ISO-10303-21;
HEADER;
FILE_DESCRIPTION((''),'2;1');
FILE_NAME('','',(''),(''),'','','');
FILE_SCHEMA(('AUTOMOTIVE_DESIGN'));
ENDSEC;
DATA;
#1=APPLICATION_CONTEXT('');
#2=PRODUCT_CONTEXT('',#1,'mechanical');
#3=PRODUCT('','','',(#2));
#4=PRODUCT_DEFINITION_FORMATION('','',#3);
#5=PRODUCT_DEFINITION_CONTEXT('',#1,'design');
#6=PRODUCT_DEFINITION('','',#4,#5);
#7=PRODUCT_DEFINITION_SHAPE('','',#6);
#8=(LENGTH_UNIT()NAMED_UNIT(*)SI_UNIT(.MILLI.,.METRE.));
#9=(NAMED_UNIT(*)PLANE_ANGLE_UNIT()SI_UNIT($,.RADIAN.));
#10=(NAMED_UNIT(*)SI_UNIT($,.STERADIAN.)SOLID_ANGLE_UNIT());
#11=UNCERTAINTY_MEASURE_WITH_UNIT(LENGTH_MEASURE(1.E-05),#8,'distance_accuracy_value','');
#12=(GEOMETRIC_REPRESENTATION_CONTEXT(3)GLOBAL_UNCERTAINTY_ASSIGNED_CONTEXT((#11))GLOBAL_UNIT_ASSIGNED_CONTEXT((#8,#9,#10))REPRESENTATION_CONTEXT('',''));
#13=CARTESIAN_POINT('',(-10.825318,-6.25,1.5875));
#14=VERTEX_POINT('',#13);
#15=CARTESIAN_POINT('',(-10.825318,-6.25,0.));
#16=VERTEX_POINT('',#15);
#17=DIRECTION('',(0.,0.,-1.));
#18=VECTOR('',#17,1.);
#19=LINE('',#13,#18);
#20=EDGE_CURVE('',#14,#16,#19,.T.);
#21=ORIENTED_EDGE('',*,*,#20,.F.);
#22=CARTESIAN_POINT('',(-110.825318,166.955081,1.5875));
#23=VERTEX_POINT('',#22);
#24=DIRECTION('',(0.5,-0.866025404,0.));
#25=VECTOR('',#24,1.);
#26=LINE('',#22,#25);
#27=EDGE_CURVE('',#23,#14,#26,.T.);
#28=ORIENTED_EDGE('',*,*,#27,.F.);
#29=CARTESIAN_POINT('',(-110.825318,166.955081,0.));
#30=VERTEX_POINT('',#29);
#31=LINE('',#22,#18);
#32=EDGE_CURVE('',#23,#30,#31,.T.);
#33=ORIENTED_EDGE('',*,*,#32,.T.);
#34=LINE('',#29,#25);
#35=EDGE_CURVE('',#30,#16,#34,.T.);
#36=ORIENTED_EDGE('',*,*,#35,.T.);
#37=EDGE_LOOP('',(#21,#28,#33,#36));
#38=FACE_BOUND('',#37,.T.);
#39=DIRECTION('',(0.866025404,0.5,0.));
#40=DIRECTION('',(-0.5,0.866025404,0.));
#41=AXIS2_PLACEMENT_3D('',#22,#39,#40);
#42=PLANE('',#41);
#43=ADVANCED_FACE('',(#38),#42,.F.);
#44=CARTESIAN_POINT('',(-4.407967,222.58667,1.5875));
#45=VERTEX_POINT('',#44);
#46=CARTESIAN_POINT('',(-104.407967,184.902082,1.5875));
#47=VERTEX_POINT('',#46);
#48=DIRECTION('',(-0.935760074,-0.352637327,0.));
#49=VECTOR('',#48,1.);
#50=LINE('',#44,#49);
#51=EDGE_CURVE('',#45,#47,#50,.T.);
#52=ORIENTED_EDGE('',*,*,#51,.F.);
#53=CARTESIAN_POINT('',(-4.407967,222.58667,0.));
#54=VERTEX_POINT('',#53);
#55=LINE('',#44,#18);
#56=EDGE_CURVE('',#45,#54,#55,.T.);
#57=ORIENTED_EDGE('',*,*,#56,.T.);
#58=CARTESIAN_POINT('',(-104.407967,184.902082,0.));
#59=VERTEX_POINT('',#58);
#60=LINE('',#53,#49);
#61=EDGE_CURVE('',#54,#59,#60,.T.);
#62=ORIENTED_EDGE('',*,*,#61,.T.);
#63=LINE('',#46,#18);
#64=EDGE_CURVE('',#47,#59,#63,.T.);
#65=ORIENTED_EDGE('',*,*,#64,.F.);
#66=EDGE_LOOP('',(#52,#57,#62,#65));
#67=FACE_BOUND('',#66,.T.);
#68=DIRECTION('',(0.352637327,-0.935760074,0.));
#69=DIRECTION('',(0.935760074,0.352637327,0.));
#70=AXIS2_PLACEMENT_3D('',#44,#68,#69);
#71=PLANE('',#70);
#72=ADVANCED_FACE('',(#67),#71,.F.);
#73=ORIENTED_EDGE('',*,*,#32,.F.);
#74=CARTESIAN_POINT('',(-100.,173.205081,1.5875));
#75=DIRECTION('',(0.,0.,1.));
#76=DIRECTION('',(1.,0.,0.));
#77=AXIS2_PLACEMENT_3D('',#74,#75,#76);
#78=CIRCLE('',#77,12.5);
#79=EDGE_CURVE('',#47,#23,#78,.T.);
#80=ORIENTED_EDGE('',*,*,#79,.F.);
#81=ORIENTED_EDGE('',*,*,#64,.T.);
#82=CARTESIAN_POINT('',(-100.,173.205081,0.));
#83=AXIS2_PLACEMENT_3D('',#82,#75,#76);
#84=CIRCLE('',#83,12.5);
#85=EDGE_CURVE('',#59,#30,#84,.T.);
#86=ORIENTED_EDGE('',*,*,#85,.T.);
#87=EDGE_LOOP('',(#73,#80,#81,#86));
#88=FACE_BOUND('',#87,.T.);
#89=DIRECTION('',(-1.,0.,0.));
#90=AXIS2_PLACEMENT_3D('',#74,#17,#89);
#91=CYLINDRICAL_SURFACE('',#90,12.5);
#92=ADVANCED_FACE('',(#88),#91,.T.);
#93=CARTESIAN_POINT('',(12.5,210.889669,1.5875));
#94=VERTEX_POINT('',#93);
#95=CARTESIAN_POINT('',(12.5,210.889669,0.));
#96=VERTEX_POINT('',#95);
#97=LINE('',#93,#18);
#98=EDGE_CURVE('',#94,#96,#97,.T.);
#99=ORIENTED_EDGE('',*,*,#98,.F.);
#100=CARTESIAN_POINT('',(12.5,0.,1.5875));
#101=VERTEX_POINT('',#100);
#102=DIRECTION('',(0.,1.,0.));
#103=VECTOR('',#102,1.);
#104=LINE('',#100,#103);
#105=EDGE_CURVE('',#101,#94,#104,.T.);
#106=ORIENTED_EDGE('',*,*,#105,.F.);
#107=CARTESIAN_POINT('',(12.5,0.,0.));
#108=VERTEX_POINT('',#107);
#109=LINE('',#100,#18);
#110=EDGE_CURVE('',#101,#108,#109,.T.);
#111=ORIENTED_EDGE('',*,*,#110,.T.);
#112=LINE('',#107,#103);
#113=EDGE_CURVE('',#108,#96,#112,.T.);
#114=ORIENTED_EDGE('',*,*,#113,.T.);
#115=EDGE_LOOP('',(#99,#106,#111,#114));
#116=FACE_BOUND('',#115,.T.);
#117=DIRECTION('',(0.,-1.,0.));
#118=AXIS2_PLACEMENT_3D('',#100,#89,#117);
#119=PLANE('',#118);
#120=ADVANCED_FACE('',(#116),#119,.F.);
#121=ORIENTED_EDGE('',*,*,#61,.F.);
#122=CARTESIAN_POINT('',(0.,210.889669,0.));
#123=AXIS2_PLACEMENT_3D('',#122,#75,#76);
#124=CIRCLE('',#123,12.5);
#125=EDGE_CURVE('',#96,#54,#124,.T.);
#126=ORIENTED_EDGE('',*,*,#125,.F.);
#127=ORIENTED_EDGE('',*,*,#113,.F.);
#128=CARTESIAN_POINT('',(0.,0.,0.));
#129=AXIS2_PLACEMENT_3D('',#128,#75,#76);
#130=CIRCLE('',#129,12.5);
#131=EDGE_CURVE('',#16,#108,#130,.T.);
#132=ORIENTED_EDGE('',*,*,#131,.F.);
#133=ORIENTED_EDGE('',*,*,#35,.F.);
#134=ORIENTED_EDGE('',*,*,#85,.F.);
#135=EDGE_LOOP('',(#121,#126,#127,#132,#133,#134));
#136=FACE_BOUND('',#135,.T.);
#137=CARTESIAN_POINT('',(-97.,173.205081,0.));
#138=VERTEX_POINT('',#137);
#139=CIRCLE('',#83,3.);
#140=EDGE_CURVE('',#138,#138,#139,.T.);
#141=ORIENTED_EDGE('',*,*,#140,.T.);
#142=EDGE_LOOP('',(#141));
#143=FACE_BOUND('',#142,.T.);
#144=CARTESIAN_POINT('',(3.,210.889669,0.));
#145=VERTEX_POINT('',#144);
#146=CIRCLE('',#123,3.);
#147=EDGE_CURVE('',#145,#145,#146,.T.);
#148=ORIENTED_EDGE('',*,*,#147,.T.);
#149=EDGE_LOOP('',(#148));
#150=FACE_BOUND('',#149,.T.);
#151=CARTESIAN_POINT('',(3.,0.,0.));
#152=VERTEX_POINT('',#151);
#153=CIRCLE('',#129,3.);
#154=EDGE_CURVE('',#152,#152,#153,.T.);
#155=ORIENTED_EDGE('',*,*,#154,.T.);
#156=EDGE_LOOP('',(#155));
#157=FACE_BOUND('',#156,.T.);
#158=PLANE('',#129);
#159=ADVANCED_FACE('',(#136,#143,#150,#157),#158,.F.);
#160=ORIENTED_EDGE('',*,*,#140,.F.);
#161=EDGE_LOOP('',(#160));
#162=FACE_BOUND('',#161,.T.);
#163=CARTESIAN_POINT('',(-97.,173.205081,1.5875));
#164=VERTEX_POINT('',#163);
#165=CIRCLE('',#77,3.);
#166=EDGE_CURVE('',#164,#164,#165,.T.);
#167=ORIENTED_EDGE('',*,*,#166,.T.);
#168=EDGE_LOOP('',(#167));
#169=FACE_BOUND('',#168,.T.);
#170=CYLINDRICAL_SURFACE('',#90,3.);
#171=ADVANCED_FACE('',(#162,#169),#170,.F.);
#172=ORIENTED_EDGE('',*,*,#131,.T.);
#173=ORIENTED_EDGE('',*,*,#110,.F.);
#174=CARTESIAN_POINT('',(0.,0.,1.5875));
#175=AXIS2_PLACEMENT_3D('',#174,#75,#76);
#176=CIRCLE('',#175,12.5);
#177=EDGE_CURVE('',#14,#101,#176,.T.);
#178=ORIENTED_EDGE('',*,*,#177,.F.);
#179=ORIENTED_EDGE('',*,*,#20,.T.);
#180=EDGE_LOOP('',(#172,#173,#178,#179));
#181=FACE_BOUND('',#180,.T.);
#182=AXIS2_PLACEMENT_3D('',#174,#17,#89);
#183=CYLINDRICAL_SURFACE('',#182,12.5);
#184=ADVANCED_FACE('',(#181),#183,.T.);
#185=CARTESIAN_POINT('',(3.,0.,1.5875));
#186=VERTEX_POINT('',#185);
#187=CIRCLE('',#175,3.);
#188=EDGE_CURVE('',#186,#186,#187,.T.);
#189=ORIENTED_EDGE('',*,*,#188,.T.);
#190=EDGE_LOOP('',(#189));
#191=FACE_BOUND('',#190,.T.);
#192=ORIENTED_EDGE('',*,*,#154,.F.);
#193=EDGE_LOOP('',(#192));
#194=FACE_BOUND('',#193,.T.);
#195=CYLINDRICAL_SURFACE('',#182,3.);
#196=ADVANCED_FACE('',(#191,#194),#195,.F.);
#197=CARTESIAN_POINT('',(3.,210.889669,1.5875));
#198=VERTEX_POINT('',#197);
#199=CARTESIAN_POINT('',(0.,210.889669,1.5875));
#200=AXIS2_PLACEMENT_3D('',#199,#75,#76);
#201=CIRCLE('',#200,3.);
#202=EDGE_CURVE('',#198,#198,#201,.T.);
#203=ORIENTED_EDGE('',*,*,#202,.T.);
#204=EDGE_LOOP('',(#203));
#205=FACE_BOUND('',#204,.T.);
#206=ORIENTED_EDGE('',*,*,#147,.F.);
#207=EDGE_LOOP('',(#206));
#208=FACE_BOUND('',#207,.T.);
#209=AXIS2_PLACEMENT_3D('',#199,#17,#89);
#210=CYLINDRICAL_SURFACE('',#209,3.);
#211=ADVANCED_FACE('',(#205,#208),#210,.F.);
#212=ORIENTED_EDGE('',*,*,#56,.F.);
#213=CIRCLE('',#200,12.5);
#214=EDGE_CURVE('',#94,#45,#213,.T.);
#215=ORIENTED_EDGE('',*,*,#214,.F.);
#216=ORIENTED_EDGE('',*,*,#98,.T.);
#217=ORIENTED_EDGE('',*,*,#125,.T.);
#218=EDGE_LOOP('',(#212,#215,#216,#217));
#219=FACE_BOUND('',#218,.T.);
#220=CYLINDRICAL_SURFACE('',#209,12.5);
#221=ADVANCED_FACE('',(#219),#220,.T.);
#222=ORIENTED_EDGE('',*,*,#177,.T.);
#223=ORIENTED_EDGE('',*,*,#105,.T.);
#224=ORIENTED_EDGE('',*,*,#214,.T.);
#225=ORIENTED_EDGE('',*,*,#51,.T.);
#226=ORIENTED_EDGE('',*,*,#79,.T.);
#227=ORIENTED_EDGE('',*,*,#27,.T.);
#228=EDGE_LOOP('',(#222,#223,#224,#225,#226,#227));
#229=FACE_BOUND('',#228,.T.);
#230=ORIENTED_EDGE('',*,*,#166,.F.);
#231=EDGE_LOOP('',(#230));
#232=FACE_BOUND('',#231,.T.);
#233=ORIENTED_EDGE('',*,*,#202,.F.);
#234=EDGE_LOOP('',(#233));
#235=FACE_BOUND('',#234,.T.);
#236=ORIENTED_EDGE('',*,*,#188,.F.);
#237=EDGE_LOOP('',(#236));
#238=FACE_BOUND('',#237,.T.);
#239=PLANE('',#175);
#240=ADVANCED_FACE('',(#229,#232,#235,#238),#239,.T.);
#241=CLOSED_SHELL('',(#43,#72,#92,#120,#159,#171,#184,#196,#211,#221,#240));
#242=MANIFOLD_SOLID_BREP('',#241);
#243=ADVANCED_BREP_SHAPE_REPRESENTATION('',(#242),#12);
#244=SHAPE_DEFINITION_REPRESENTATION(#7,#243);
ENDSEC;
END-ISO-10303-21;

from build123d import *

# Parameters (mm, degrees)
SKETCH1_R           = 3
BOSS_EXTRUDE1_DEPTH = 1.5875


with BuildPart() as part:
    # Sketch1 → Boss-Extrude1 (new body)
    with BuildSketch(Plane.XY):
        with BuildLine():
            Line((-110.825317547, 166.955080757), (-10.825317547, -6.25))
            ThreePointArc((-10.825317547, -6.25), (3.235238064, -12.074072829), (12.5, 0))
            Line((12.5, 0), (12.5, 210.889668604))
            ThreePointArc((12.5, 210.889668604), (7.111624908, 221.169493076), (-4.407966588, 222.586669526))
            Line((-4.407966588, 222.586669526), (-104.407966588, 184.902081679))
            ThreePointArc((-104.407966588, 184.902081679), (-111.770171915, 177.413768568), (-110.825317547, 166.955080757))
        make_face()
        with Locations((-100, 173.205080757)):
            Circle(SKETCH1_R, mode=Mode.SUBTRACT)
        with Locations((0, 210.889668604)):
            Circle(SKETCH1_R, mode=Mode.SUBTRACT)
        Circle(SKETCH1_R, mode=Mode.SUBTRACT)
    extrude(amount=BOSS_EXTRUDE1_DEPTH)


solid = part.part
